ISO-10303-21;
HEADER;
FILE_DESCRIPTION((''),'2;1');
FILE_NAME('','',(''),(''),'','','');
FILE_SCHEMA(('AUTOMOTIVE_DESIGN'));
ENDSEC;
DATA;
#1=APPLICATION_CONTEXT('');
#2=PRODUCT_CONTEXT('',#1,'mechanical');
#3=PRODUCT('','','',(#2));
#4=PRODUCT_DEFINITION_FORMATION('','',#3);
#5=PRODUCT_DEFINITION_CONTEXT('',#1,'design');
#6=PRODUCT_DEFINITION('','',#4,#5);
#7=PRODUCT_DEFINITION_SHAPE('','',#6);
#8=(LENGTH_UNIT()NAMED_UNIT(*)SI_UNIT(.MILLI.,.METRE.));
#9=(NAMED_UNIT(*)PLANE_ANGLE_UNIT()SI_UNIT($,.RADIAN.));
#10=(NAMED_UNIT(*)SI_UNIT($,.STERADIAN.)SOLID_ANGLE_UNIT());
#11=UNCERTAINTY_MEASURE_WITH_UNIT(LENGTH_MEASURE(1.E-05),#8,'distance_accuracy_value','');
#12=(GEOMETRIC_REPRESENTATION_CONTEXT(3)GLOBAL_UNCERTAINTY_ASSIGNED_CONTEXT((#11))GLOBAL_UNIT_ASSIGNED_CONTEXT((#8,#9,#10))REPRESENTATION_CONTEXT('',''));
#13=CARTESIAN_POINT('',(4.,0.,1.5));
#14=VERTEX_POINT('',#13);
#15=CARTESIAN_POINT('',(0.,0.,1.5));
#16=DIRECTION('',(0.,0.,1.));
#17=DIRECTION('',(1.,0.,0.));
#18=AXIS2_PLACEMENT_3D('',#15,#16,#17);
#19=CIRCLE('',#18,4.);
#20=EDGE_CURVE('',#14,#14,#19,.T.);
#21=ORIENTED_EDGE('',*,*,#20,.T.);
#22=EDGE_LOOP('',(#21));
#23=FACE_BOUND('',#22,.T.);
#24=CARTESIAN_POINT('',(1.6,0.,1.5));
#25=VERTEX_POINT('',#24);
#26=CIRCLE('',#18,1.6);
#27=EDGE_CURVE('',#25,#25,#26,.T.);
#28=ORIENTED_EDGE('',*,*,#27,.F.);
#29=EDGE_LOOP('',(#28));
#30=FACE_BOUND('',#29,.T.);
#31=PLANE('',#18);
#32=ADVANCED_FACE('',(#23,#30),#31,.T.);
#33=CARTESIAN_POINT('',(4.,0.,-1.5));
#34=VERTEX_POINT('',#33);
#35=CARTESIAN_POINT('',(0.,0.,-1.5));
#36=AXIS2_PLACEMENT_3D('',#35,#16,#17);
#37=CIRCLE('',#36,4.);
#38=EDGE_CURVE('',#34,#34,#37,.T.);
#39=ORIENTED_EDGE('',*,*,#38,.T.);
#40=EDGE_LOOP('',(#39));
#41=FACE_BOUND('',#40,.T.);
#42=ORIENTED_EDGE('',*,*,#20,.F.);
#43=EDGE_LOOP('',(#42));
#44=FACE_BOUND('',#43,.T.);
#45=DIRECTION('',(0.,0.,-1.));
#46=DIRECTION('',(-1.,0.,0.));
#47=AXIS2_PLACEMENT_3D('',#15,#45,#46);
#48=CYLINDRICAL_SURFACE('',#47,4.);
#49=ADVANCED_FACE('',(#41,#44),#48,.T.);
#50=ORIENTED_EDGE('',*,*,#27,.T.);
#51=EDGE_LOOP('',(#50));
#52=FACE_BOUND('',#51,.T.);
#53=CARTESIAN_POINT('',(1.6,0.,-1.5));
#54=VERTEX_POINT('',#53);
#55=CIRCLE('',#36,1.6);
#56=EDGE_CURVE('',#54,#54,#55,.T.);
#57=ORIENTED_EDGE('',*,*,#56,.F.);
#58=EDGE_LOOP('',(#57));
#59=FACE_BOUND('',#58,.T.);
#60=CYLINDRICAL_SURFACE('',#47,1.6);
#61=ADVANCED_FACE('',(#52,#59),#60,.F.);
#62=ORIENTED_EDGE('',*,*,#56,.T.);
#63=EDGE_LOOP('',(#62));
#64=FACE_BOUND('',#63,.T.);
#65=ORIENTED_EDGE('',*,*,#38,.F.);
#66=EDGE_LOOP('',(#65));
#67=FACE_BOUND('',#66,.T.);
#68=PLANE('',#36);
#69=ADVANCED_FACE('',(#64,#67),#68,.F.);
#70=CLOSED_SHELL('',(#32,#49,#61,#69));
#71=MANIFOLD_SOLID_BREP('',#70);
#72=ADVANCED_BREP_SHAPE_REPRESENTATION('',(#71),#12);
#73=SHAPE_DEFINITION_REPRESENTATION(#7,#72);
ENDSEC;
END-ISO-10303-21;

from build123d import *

# Parameters (mm, degrees)
EXTRUDE1_DEPTH      = 1.5
EXTRUDE1_DEPTH_BACK = 1.5
SKETCH1_R           = 4
SKETCH1_R_2         = 1.6


with BuildPart() as part:
    # Sketch1 → Extrude1 (new, two sides: drawn at the far end of the back side and taken through both)
    with BuildSketch(Plane.XY.offset(-EXTRUDE1_DEPTH_BACK)):
        Circle(SKETCH1_R)
        Circle(SKETCH1_R_2, mode=Mode.SUBTRACT)
    extrude(amount=EXTRUDE1_DEPTH + EXTRUDE1_DEPTH_BACK)


solid = part.part
